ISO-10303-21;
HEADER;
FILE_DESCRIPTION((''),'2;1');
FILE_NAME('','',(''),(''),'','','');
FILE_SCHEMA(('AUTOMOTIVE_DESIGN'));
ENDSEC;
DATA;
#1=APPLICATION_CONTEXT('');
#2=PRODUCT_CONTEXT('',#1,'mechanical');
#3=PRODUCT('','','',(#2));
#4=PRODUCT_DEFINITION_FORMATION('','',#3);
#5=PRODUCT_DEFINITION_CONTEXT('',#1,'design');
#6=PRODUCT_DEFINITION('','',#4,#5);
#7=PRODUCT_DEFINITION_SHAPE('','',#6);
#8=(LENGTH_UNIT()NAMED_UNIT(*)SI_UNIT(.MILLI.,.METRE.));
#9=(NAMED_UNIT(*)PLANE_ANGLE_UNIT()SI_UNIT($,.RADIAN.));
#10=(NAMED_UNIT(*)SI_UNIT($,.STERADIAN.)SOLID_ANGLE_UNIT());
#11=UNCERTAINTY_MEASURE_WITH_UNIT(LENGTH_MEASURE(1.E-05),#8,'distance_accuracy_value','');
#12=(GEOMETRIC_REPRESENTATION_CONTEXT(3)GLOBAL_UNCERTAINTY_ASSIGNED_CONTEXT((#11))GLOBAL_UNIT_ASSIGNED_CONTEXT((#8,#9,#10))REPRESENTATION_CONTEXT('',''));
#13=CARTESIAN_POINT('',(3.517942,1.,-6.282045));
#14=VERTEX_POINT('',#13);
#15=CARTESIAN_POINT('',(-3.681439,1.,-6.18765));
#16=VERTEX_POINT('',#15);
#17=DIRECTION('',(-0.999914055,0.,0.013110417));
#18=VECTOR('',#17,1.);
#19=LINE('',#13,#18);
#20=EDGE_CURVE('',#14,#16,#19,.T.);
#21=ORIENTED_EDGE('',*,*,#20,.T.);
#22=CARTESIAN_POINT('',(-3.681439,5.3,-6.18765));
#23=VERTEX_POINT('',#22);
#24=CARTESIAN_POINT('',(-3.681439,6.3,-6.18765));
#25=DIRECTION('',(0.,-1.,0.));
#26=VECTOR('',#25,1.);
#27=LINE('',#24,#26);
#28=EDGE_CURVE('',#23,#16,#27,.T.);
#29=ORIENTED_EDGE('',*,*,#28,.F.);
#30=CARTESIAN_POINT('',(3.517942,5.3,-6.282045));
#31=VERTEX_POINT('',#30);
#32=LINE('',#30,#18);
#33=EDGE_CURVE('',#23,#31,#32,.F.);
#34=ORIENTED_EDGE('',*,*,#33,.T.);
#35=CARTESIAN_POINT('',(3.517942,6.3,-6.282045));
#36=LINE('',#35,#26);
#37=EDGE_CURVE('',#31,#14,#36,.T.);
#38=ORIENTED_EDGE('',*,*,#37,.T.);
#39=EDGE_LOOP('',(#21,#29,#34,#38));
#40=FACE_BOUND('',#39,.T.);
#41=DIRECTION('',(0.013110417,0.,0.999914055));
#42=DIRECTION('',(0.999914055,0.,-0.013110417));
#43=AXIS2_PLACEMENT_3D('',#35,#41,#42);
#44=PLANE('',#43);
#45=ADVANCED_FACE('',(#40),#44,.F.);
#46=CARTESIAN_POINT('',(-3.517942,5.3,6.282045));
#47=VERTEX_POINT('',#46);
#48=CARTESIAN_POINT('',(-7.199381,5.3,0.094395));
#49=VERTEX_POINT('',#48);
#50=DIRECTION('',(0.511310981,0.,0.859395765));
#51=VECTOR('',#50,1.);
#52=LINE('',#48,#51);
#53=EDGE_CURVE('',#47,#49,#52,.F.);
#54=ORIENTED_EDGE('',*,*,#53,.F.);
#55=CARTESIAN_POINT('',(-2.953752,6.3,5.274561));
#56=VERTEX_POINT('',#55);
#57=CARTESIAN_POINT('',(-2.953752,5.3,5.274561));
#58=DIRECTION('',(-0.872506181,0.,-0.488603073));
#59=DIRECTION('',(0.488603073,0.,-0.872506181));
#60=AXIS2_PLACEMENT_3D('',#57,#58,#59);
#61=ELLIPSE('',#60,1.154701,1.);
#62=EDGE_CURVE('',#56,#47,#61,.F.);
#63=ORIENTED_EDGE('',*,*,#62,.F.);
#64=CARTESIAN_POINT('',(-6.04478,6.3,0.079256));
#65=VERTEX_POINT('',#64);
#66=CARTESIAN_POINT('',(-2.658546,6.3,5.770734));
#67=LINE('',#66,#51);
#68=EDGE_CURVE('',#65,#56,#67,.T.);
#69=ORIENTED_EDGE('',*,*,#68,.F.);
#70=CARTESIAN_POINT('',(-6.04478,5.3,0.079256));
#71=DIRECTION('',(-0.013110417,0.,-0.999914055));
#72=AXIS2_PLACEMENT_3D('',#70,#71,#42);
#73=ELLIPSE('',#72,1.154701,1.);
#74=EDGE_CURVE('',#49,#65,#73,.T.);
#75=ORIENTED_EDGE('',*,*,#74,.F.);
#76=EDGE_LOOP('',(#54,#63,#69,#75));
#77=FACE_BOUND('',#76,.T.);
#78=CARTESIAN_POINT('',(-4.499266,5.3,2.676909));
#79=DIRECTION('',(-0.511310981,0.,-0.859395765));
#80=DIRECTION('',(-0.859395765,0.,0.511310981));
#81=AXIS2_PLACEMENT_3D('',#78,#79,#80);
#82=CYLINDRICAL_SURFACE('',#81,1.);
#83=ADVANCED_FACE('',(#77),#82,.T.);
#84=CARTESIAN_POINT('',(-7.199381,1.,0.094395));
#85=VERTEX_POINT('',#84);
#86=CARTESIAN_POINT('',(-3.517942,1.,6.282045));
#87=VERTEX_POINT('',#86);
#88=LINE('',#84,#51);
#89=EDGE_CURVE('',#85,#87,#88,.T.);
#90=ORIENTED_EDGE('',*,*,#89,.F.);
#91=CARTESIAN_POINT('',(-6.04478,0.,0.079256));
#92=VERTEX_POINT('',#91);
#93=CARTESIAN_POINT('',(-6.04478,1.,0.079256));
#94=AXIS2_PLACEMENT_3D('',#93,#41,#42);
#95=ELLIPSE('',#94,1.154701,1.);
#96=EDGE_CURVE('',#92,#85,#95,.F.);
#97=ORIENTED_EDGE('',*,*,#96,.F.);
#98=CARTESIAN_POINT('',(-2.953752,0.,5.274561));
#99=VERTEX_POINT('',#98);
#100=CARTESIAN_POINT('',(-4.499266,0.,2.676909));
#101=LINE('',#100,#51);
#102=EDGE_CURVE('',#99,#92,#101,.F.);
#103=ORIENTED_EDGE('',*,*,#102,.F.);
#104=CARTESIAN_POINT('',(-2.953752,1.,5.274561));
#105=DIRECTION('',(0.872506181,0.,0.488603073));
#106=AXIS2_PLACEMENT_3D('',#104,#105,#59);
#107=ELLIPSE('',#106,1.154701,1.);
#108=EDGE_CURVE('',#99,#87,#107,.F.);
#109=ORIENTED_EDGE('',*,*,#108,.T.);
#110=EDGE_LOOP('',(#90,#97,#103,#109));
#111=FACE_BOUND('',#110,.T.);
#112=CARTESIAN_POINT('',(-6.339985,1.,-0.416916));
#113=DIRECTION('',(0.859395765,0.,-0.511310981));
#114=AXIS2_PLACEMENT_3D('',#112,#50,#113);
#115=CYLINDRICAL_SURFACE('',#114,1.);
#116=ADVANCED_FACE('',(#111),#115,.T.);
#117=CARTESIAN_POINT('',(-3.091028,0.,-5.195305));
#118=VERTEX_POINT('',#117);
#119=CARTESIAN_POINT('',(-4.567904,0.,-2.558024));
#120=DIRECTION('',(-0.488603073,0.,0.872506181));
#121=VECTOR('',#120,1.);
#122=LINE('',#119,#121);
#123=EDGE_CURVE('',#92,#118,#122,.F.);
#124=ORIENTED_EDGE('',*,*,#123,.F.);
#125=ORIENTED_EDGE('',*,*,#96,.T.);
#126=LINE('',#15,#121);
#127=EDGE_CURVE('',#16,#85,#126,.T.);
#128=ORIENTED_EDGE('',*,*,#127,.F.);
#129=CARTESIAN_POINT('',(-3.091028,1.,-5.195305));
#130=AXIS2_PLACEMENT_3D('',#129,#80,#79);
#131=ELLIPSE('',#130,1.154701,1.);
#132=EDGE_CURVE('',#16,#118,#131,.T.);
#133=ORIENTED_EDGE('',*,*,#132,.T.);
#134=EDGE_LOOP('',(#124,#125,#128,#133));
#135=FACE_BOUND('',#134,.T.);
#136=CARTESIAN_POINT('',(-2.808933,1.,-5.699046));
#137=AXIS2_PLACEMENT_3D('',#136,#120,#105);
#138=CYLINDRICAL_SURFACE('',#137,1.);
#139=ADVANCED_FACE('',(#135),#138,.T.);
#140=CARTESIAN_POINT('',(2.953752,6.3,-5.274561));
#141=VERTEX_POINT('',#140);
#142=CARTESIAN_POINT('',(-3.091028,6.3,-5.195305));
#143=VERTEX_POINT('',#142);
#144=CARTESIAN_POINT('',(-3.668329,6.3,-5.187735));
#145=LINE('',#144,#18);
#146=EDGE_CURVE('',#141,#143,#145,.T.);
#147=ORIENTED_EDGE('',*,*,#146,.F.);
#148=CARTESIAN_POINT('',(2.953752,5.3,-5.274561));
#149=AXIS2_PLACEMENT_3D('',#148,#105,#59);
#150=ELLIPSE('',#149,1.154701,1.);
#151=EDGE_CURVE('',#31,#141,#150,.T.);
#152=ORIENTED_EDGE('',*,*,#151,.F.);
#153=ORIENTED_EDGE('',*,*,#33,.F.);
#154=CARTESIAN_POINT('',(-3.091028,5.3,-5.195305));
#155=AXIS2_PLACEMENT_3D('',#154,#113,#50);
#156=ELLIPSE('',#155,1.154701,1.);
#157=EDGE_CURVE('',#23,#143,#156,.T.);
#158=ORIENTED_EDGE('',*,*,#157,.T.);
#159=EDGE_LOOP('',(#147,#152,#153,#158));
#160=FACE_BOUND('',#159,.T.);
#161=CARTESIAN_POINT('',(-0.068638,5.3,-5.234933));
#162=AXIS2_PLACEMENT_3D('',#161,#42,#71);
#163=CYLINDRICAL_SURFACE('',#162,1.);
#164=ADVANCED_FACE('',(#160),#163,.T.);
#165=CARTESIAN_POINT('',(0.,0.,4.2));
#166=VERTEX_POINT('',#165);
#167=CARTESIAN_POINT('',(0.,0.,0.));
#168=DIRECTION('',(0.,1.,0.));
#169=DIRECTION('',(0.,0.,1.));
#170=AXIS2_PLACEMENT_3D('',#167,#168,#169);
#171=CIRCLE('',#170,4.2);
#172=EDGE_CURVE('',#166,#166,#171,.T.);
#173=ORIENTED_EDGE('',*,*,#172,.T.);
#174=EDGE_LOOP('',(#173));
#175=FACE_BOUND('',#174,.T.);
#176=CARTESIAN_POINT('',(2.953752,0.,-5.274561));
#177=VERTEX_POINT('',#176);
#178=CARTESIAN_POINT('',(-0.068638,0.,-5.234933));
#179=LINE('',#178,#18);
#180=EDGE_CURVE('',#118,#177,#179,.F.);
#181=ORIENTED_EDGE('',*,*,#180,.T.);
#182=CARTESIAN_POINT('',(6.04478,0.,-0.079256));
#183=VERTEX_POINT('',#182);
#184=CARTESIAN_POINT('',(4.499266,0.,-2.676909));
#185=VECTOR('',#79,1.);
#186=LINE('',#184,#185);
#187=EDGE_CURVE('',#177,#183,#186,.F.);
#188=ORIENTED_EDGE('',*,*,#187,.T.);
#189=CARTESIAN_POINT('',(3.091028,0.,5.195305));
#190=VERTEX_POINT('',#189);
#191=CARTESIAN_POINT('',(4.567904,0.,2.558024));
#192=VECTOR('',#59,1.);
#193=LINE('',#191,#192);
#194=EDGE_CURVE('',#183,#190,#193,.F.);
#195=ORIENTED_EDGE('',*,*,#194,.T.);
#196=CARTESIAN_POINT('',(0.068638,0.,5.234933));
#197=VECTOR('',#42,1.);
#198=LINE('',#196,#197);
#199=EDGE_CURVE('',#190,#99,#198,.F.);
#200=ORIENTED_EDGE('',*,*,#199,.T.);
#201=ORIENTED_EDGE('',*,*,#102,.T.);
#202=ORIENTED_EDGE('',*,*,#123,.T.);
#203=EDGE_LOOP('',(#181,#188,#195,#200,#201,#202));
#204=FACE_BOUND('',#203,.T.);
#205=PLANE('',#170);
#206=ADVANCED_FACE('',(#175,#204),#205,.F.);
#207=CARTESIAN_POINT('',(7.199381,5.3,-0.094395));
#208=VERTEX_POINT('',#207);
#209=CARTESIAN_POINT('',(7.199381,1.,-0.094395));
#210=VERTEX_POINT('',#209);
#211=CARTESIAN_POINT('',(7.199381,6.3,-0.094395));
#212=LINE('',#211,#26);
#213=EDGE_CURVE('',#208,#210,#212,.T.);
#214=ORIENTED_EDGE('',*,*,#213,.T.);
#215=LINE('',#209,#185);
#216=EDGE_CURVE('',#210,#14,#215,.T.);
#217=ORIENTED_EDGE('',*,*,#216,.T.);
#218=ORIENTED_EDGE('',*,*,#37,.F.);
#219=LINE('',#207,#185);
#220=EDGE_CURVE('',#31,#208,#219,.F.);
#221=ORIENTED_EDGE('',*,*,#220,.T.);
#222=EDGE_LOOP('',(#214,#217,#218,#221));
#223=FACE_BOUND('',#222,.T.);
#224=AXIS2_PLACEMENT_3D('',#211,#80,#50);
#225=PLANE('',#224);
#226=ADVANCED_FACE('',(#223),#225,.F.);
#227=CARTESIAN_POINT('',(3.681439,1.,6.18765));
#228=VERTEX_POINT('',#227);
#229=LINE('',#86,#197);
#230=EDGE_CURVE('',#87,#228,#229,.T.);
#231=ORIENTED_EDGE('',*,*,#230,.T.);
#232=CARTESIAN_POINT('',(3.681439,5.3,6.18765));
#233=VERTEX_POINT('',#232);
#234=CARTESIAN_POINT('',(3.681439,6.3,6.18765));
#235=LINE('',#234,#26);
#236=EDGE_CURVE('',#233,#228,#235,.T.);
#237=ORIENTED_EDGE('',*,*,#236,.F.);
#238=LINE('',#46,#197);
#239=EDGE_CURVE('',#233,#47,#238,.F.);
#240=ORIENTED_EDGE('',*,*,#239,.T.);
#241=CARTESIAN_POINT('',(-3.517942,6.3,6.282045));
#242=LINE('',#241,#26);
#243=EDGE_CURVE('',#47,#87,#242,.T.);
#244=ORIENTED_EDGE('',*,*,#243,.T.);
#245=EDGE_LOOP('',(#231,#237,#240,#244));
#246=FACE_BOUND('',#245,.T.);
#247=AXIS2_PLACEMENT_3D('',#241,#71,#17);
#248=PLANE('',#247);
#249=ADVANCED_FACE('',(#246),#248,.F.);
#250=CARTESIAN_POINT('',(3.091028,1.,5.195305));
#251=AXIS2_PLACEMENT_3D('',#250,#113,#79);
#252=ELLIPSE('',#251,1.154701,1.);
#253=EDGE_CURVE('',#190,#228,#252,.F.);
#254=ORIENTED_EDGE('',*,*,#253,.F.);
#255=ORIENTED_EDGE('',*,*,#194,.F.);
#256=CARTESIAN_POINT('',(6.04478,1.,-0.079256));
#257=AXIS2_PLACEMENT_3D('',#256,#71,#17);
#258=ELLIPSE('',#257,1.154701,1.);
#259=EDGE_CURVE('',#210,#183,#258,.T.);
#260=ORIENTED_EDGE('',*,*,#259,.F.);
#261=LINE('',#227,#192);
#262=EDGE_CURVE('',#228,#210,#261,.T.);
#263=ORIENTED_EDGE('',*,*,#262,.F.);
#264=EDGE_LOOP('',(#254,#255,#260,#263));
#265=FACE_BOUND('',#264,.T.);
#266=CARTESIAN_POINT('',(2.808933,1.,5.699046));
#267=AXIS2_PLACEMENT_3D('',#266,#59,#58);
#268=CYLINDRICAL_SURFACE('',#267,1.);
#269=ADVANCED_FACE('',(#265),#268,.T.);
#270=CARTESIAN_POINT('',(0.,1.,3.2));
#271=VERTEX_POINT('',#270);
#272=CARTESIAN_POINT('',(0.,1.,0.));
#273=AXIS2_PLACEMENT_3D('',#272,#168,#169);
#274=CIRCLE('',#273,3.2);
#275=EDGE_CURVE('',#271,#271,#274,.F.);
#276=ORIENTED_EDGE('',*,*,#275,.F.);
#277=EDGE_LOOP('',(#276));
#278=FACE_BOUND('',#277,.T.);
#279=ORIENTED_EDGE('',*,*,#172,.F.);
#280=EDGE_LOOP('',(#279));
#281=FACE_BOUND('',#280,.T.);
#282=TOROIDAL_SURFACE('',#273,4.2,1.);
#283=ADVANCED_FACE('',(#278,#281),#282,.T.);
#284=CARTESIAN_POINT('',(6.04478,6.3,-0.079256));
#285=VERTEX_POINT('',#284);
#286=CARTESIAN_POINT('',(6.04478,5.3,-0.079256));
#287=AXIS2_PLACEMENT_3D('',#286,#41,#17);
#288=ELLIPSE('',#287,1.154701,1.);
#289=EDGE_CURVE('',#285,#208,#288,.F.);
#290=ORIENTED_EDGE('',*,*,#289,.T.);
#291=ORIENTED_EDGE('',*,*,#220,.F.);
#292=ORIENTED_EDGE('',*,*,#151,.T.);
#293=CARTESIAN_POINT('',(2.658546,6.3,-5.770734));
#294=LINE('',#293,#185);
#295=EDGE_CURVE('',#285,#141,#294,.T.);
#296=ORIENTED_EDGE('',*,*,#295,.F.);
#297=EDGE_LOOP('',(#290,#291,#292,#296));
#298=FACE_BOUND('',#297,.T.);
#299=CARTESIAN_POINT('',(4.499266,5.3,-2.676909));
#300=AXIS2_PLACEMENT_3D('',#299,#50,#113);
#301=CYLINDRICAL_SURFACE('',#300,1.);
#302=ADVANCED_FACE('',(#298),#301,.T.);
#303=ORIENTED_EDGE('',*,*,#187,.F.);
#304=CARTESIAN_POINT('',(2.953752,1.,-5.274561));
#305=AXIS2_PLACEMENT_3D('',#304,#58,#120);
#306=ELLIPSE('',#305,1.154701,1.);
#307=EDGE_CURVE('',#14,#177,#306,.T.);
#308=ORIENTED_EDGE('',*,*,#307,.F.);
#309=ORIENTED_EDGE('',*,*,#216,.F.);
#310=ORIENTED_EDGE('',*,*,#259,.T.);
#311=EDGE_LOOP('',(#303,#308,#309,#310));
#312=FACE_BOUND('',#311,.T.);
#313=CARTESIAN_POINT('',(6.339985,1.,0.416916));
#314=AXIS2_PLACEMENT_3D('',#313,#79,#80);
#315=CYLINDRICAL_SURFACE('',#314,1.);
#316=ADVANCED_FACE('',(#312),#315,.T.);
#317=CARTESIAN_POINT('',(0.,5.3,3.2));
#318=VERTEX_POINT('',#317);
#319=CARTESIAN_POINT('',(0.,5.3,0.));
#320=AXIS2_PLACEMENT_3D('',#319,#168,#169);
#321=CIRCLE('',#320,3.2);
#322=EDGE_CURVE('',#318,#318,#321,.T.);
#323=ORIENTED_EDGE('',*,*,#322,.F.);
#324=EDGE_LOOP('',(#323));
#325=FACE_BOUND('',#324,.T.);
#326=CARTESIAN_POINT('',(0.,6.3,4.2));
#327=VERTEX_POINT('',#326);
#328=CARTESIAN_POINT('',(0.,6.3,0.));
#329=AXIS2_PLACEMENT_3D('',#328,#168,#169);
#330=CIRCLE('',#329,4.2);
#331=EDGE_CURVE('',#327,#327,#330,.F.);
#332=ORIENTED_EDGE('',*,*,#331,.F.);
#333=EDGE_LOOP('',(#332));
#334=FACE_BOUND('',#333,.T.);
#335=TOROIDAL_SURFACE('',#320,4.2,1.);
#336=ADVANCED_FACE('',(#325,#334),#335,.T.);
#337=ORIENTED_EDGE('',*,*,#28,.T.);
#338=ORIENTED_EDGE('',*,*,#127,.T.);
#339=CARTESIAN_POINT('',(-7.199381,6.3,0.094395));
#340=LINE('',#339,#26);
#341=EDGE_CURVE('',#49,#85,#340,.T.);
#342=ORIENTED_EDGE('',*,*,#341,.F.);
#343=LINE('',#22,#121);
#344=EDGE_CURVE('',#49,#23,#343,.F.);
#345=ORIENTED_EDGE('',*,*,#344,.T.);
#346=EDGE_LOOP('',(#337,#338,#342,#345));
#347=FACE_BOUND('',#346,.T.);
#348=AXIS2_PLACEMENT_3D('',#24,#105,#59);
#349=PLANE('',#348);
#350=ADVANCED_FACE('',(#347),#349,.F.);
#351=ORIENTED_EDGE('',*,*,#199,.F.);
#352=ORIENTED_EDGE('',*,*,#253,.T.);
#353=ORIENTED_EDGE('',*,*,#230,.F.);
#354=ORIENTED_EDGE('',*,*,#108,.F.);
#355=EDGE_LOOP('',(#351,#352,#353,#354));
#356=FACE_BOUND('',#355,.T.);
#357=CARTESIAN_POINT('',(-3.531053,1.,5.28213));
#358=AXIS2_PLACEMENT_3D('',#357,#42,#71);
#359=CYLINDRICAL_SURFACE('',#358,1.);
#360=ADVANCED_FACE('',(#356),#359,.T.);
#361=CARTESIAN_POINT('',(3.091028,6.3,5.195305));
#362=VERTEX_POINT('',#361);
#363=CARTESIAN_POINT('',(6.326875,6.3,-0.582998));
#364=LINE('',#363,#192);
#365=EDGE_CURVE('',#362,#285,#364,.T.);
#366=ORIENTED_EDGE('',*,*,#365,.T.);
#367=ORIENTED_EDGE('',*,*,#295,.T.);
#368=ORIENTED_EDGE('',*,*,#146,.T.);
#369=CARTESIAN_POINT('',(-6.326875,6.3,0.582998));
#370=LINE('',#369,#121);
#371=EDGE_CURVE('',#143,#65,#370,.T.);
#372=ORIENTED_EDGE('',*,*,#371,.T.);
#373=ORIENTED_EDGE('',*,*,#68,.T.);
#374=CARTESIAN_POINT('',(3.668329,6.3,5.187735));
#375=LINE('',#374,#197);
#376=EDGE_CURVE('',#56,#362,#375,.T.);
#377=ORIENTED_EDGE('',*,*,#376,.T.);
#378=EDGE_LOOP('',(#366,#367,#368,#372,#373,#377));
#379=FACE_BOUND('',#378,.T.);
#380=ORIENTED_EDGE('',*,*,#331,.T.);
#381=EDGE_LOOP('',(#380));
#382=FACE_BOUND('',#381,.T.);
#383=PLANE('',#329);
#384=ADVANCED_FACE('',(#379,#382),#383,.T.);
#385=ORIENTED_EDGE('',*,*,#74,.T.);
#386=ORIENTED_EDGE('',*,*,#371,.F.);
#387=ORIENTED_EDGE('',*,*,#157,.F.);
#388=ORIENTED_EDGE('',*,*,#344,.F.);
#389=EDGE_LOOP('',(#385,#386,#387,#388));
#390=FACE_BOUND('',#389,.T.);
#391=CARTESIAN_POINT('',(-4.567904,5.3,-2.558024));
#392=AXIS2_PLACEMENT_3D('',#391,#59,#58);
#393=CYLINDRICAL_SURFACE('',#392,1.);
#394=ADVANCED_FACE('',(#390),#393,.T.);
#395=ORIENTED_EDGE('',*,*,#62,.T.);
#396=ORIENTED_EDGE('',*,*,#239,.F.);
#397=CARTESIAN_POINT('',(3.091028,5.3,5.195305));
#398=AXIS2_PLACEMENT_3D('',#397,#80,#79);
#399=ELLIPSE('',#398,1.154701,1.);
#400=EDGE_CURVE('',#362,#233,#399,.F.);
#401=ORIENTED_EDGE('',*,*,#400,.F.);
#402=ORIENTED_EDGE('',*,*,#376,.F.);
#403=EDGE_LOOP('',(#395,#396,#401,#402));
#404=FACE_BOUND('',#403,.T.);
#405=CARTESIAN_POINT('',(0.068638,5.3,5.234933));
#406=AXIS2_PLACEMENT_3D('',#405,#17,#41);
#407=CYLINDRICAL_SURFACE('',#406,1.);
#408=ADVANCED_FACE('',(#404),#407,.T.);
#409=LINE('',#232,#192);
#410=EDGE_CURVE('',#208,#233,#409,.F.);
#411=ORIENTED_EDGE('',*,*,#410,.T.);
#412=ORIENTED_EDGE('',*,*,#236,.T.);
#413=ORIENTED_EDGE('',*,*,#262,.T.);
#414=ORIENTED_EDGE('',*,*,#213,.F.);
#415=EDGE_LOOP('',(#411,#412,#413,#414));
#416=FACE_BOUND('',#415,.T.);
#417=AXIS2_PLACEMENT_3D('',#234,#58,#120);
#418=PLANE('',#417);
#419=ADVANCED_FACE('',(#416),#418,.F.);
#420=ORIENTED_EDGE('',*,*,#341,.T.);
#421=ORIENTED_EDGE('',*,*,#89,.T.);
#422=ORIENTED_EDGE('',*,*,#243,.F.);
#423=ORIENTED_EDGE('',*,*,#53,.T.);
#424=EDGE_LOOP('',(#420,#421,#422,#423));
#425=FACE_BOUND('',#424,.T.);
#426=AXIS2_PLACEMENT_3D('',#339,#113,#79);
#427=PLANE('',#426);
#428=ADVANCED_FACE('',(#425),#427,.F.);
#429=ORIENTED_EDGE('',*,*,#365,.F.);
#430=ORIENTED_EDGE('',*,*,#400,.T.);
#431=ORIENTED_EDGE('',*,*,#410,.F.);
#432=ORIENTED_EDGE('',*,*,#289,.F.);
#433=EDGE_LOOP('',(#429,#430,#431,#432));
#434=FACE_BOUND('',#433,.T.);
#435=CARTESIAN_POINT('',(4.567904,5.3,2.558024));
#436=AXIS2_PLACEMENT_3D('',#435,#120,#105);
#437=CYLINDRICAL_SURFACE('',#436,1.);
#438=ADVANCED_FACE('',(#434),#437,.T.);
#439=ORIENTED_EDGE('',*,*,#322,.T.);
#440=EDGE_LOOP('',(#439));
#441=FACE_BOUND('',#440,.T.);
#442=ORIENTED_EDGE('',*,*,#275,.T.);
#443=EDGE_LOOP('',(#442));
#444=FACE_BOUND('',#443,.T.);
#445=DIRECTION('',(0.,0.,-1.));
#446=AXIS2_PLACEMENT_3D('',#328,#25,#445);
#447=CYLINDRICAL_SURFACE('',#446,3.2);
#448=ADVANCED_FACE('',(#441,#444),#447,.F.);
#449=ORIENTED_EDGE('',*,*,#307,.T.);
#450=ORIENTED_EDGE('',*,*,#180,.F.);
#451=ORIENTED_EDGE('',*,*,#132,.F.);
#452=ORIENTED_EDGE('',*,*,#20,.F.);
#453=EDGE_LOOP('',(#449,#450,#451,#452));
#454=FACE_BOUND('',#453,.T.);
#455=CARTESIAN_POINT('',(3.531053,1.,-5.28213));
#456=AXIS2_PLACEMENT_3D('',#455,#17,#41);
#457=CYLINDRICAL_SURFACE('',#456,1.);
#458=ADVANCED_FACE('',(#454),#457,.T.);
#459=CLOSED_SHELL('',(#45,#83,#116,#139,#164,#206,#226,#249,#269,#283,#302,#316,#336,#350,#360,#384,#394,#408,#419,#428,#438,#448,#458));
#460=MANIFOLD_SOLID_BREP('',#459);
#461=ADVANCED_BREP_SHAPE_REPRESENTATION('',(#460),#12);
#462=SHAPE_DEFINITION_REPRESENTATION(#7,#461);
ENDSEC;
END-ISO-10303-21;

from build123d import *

# Parameters (mm, degrees)
SKETCH1_R           = 3.2
BOSS_EXTRUDE1_DEPTH = 6.3
FILLET1_R           = 1


with BuildPart() as part:
    # Sketch1 → Boss-Extrude1 (new body)
    with BuildSketch(Plane(origin=(0, 0, 0), x_dir=(1, 0, 0), z_dir=(0, 1, 0))):
        Polygon((-3.681439065, 6.187649506), (-7.199381195, -0.094395), (-3.517942129, -6.282044506), (3.681439065, -6.187649506), (7.199381195, 0.094395), (3.517942129, 6.282044506), align=None)
        with Locations(Location((0, 0, 0), (0, 0, 270))):  # turned: the seam where the file's is
            Circle(SKETCH1_R, mode=Mode.SUBTRACT)
    extrude(amount=BOSS_EXTRUDE1_DEPTH)

    # Fillet1
    fillet1_edges = [part.edges().sort_by_distance(p)[0] for p in [
        (-5.358661662, 6.3, 3.188219753),
        (0.081748468, 6.3, 6.234847006),
        (5.44041013, 6.3, 3.046627253),
        (0, 0, -3.2),
        (0, 6.3, -3.2),
        (5.358661662, 6.3, -3.188219753),
        (-0.081748468, 6.3, -6.234847006),
        (5.358661662, 0, -3.188219753),
        (5.44041013, 0, 3.046627253),
        (0.081748468, 0, 6.234847006),
        (-5.44041013, 6.3, -3.046627253),
        (-5.358661662, 0, 3.188219753),
        (-5.44041013, 0, -3.046627253),
        (-0.081748468, 0, -6.234847006),
    ]]
    fillet(fillet1_edges, radius=FILLET1_R)


solid = part.part
